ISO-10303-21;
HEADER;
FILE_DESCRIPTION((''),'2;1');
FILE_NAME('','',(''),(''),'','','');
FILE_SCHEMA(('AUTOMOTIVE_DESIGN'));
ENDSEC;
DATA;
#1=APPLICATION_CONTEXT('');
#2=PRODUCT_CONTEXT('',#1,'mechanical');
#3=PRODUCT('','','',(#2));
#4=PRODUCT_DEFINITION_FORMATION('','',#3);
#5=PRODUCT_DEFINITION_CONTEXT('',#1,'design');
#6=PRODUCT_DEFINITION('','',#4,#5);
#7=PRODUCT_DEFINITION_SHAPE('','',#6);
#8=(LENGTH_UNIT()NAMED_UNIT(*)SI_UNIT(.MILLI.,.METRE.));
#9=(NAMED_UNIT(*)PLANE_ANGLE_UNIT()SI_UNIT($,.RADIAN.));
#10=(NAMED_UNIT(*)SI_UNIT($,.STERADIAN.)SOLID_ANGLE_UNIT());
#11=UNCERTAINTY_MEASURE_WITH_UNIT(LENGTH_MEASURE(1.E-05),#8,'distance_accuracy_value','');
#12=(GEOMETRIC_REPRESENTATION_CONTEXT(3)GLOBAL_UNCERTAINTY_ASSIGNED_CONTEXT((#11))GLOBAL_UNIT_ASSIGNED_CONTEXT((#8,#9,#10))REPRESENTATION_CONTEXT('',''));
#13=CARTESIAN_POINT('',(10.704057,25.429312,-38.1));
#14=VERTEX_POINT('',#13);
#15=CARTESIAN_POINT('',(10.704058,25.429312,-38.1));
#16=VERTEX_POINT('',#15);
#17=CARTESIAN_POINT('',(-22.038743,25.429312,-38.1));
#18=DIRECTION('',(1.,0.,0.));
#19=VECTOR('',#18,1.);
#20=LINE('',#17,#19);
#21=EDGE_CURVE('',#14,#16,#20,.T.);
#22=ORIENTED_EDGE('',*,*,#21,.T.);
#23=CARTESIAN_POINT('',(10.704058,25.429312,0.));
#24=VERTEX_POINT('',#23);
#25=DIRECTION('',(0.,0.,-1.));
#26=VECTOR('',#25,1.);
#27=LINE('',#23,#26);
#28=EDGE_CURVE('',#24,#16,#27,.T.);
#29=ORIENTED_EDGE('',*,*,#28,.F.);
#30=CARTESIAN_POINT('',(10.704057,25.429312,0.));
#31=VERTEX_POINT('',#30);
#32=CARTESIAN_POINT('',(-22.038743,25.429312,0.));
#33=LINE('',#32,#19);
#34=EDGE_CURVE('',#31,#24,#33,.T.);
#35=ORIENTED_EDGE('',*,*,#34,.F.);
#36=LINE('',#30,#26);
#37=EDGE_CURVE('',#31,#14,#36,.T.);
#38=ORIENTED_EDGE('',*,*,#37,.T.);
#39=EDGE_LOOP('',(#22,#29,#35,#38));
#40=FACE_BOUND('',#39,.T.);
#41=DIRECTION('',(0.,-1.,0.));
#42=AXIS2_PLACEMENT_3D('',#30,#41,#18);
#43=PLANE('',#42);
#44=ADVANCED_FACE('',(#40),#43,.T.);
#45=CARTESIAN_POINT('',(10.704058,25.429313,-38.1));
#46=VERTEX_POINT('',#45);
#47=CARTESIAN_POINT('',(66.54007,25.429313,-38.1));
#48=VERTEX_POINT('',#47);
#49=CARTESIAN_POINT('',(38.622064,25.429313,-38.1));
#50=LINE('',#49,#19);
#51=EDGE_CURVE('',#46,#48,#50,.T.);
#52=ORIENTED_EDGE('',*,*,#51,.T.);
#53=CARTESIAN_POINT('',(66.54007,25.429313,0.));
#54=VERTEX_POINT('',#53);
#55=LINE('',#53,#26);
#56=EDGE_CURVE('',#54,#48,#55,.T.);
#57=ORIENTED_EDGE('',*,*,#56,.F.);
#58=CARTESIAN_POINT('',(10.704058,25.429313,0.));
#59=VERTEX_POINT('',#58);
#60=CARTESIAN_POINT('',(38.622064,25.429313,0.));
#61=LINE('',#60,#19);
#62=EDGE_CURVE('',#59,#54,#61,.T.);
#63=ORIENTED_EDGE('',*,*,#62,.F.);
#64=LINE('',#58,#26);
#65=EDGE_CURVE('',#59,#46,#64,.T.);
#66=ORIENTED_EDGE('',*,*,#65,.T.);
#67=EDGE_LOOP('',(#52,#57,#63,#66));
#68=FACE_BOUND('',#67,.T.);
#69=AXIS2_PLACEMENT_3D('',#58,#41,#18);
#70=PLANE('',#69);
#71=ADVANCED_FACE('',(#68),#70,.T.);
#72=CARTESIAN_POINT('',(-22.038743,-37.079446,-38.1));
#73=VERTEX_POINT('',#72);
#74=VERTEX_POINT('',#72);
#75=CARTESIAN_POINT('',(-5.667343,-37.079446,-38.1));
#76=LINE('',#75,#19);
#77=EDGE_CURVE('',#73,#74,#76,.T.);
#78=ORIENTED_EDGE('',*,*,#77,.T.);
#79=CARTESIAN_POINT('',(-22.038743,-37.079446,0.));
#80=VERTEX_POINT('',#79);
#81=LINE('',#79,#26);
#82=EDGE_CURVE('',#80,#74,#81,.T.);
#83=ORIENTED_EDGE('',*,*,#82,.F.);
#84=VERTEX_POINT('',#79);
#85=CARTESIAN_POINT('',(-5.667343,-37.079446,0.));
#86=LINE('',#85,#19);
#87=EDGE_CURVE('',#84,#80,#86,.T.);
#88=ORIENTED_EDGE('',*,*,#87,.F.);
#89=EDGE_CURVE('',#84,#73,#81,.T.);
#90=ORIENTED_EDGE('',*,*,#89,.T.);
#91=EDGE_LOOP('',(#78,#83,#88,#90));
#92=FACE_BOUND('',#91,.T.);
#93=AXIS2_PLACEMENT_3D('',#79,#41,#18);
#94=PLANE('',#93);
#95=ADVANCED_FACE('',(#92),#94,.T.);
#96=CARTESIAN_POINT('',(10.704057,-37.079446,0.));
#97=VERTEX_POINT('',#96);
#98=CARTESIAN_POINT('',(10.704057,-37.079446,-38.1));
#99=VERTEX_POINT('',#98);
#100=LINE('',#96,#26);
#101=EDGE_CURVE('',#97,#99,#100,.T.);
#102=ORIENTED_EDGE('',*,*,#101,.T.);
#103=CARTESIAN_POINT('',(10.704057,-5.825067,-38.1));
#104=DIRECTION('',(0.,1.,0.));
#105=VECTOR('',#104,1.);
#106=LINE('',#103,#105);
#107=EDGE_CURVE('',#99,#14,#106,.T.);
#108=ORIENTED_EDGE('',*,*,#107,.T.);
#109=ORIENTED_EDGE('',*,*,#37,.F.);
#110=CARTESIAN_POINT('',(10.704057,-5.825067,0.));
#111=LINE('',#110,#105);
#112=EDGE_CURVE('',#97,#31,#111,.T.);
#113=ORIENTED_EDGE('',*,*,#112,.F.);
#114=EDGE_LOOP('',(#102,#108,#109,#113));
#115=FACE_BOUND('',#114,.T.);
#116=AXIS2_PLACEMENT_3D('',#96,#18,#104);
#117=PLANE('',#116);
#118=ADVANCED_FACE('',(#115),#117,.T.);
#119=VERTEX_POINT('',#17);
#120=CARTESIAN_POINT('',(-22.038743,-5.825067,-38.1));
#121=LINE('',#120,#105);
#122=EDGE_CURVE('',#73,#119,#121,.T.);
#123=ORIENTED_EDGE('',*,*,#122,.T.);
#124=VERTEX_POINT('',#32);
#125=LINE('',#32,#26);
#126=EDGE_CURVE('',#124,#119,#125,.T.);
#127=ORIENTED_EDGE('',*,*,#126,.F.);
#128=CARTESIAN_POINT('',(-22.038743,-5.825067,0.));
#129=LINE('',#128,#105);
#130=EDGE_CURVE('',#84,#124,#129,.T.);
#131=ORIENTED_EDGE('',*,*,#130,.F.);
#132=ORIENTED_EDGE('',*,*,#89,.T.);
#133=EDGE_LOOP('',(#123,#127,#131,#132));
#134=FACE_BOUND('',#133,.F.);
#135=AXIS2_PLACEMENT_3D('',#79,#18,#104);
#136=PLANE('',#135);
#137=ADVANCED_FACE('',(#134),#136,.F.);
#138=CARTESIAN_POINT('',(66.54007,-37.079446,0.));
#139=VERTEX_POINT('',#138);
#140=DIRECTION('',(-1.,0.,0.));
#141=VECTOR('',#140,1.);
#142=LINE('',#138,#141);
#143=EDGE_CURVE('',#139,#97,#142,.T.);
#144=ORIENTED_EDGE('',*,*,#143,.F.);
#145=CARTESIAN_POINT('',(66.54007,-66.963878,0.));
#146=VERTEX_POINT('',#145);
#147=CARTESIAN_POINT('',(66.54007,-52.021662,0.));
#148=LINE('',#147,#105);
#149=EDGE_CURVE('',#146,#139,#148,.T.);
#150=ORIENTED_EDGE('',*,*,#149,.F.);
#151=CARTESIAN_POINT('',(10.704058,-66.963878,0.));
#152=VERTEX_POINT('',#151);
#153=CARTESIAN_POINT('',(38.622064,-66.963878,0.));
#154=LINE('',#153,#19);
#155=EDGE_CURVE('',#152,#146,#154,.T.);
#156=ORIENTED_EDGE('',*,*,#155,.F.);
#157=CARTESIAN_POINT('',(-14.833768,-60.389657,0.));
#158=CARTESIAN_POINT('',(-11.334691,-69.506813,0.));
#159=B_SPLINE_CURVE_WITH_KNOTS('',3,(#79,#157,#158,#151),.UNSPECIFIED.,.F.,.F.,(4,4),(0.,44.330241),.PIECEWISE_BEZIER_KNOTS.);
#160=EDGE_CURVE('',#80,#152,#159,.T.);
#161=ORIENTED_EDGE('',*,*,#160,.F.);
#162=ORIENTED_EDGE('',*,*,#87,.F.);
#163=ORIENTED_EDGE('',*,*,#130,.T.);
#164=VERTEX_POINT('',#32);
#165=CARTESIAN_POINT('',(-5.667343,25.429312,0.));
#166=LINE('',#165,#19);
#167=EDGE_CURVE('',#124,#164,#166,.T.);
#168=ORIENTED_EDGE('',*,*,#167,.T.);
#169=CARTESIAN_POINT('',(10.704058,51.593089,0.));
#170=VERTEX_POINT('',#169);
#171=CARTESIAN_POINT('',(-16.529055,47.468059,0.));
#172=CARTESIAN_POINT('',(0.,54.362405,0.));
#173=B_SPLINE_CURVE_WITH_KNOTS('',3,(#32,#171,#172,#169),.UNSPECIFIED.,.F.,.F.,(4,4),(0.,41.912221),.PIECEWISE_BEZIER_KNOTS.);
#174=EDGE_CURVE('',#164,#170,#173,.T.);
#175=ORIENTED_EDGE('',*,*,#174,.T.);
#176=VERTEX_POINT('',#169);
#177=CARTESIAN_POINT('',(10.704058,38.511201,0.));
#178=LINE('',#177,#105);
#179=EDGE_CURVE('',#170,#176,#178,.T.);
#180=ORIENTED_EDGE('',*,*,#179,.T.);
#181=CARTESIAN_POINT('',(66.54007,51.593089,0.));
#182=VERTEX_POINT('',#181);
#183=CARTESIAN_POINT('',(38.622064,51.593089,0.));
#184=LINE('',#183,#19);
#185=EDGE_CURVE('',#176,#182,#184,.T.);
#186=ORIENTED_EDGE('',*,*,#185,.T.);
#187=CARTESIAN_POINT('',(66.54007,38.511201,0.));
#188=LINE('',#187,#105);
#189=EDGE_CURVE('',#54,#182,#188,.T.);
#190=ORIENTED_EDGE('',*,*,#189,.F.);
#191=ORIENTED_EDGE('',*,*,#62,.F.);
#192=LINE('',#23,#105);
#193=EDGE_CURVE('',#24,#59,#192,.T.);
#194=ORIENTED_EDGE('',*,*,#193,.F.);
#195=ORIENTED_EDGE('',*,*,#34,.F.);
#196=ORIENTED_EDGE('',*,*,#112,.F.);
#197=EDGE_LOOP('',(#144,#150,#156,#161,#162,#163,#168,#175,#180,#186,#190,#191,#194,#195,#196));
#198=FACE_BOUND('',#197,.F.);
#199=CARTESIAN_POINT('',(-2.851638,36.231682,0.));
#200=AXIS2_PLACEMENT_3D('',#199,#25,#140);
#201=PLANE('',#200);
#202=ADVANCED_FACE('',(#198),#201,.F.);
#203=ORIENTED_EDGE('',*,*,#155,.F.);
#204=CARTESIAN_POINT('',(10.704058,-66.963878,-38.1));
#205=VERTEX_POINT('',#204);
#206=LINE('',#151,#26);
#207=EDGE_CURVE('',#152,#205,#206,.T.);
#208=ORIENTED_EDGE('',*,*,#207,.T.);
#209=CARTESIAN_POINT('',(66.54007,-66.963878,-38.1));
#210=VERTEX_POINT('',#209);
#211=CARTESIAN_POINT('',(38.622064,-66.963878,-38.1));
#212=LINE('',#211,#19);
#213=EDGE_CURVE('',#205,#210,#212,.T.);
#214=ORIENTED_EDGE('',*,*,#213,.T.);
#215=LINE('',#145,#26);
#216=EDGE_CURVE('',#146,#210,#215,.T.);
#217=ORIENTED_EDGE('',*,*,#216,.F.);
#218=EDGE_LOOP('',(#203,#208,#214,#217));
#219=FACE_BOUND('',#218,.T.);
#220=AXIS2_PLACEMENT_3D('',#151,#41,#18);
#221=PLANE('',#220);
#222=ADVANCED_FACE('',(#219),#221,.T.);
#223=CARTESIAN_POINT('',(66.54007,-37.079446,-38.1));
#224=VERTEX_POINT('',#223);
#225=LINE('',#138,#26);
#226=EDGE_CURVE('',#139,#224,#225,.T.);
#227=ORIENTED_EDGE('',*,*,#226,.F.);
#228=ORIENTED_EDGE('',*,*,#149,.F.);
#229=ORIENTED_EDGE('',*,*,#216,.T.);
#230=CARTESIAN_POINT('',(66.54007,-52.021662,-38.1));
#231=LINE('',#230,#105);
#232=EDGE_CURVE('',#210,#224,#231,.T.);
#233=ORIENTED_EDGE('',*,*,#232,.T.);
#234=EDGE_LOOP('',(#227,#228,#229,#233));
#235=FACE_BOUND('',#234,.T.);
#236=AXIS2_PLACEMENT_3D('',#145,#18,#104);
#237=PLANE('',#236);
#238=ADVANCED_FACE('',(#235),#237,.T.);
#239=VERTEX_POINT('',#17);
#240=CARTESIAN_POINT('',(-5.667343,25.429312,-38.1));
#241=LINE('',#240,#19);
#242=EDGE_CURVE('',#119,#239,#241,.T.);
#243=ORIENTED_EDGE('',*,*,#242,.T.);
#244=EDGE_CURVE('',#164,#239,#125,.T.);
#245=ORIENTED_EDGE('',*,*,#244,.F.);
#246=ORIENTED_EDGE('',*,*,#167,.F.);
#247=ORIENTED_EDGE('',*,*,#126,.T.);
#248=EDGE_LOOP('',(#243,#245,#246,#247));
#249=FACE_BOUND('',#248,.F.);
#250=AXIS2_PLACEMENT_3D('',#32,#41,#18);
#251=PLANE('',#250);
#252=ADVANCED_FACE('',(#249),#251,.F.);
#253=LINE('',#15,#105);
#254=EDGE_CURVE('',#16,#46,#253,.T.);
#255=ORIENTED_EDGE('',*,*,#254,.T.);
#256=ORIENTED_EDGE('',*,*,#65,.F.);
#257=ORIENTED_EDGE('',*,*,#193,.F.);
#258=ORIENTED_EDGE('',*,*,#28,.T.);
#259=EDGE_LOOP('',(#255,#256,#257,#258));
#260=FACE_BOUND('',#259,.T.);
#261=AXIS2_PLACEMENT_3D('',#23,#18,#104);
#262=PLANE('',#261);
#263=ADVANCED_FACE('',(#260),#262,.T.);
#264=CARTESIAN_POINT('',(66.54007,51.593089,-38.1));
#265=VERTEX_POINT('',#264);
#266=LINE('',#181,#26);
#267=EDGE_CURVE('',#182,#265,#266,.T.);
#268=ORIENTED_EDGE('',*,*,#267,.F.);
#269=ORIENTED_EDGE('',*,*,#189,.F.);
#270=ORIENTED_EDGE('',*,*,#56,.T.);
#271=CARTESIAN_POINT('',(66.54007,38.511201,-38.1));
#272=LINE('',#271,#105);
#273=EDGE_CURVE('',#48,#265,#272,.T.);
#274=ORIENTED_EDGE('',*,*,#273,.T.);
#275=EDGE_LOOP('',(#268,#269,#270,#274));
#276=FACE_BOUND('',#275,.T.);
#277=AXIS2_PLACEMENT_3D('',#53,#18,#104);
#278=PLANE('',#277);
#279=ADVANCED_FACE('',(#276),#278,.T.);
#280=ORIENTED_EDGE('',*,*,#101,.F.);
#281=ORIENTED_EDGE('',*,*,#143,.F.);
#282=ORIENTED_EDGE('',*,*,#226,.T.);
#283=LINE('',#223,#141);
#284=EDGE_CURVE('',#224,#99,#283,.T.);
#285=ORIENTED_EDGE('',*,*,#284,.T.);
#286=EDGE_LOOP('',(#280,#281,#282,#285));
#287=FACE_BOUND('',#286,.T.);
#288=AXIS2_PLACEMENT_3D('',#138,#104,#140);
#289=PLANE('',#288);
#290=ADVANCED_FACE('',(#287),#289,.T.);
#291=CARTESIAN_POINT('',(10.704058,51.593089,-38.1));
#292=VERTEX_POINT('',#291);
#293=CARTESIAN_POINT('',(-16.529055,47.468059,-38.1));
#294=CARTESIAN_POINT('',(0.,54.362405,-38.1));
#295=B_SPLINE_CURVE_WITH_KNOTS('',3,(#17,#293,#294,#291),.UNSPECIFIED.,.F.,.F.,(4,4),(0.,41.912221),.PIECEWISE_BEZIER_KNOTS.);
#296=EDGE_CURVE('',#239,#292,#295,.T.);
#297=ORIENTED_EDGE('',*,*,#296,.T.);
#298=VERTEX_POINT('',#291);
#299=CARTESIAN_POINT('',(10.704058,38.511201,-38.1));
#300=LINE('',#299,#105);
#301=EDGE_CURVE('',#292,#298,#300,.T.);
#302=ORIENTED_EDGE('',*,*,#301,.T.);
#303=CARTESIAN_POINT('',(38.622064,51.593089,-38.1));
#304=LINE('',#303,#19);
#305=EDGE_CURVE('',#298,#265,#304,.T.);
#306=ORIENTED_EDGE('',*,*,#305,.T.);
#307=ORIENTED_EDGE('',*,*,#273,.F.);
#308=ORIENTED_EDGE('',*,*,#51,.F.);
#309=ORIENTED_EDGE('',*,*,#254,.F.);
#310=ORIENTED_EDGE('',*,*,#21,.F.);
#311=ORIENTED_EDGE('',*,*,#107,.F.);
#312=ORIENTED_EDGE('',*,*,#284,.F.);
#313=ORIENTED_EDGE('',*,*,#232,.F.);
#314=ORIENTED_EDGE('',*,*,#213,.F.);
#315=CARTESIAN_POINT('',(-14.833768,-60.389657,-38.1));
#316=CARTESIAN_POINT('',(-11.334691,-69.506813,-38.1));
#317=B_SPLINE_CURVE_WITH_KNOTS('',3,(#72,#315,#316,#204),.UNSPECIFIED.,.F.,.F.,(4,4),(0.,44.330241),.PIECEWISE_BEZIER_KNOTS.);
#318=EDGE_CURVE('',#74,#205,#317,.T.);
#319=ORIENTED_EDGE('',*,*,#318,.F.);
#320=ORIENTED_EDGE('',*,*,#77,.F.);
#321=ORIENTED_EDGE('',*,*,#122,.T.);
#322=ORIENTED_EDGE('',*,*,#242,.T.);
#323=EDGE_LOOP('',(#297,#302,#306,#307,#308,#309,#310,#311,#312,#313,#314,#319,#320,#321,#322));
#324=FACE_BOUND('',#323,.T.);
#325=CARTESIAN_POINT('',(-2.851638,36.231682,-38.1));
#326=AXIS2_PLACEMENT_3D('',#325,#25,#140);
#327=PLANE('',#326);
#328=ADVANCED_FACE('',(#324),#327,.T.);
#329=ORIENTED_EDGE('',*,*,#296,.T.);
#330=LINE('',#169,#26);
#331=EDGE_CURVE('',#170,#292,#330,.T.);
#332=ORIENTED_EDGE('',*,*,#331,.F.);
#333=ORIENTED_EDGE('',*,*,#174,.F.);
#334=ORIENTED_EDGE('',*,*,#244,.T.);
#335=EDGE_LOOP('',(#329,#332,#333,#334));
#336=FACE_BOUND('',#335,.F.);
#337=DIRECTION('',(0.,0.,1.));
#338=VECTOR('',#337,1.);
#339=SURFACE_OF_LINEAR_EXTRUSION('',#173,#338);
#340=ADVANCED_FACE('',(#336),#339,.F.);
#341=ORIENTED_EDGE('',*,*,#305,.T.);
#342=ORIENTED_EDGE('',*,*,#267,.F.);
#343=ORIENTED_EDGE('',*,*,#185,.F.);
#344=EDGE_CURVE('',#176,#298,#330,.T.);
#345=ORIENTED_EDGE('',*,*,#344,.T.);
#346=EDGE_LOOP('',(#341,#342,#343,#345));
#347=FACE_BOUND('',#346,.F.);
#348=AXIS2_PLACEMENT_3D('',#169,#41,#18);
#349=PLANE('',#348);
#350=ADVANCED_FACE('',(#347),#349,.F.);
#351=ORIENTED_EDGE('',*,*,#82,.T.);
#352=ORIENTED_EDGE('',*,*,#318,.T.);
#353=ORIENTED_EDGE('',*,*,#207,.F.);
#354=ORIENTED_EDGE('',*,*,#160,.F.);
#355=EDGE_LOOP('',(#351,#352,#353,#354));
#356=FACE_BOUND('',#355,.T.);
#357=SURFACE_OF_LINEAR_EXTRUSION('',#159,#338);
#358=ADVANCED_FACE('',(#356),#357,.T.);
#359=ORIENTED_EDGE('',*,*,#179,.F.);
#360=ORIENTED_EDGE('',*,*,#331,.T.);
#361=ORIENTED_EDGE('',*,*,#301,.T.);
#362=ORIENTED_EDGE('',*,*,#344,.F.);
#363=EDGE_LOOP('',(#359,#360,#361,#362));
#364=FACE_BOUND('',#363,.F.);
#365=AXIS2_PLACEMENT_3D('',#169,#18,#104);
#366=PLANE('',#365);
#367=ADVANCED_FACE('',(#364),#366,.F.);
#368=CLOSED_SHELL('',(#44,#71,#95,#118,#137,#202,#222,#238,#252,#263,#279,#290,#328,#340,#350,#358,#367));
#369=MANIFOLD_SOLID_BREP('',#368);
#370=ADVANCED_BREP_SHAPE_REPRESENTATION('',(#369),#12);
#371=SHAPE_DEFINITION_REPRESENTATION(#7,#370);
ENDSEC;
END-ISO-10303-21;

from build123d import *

# Parameters (mm, degrees)
F0_W     = 32.742801
F0_H     = 62.508758
F0_W_2   = 55.836012
F0_H_2   = 26.163777
F0_H_3   = 29.884432
F1_DEPTH = 38.1


with BuildPart() as f1:
    # F0 (on Top) → F1 (new body)
    with BuildSketch(Plane.XY):
        with BuildLine():
            add(Edge.make_bspline(
                [(-22.038743, 25.429312), (-16.529055, 47.468059), (0, 54.362405), (10.704058, 51.593089)],
                knots=[0, 0, 0, 0, 41.912221, 41.912221, 41.912221, 41.912221], degree=3))
            Line((-22.038743, 25.429312), (10.704058, 25.429312))
            Line((10.704058, 25.429312), (10.704058, 51.593089))
        make_face()
        with Locations((-5.667343, -5.825067)):
            Rectangle(F0_W, F0_H)
        with Locations((38.622064, 38.511201)):
            Rectangle(F0_W_2, F0_H_2)
        with BuildLine():
            Line((10.704058, -37.079446), (-22.038743, -37.079446))
            add(Edge.make_bspline(
                [(-22.038743, -37.079446), (-14.833768, -60.389657), (-11.334691, -69.506813), (10.704058, -66.963878)],
                knots=[0, 0, 0, 0, 44.330241, 44.330241, 44.330241, 44.330241], degree=3))
            Line((10.704058, -66.963878), (10.704058, -37.079446))
        make_face()
        with Locations((38.622064, -52.021662)):
            Rectangle(F0_W_2, F0_H_3)
    extrude(amount=-F1_DEPTH)


solid = f1.part
